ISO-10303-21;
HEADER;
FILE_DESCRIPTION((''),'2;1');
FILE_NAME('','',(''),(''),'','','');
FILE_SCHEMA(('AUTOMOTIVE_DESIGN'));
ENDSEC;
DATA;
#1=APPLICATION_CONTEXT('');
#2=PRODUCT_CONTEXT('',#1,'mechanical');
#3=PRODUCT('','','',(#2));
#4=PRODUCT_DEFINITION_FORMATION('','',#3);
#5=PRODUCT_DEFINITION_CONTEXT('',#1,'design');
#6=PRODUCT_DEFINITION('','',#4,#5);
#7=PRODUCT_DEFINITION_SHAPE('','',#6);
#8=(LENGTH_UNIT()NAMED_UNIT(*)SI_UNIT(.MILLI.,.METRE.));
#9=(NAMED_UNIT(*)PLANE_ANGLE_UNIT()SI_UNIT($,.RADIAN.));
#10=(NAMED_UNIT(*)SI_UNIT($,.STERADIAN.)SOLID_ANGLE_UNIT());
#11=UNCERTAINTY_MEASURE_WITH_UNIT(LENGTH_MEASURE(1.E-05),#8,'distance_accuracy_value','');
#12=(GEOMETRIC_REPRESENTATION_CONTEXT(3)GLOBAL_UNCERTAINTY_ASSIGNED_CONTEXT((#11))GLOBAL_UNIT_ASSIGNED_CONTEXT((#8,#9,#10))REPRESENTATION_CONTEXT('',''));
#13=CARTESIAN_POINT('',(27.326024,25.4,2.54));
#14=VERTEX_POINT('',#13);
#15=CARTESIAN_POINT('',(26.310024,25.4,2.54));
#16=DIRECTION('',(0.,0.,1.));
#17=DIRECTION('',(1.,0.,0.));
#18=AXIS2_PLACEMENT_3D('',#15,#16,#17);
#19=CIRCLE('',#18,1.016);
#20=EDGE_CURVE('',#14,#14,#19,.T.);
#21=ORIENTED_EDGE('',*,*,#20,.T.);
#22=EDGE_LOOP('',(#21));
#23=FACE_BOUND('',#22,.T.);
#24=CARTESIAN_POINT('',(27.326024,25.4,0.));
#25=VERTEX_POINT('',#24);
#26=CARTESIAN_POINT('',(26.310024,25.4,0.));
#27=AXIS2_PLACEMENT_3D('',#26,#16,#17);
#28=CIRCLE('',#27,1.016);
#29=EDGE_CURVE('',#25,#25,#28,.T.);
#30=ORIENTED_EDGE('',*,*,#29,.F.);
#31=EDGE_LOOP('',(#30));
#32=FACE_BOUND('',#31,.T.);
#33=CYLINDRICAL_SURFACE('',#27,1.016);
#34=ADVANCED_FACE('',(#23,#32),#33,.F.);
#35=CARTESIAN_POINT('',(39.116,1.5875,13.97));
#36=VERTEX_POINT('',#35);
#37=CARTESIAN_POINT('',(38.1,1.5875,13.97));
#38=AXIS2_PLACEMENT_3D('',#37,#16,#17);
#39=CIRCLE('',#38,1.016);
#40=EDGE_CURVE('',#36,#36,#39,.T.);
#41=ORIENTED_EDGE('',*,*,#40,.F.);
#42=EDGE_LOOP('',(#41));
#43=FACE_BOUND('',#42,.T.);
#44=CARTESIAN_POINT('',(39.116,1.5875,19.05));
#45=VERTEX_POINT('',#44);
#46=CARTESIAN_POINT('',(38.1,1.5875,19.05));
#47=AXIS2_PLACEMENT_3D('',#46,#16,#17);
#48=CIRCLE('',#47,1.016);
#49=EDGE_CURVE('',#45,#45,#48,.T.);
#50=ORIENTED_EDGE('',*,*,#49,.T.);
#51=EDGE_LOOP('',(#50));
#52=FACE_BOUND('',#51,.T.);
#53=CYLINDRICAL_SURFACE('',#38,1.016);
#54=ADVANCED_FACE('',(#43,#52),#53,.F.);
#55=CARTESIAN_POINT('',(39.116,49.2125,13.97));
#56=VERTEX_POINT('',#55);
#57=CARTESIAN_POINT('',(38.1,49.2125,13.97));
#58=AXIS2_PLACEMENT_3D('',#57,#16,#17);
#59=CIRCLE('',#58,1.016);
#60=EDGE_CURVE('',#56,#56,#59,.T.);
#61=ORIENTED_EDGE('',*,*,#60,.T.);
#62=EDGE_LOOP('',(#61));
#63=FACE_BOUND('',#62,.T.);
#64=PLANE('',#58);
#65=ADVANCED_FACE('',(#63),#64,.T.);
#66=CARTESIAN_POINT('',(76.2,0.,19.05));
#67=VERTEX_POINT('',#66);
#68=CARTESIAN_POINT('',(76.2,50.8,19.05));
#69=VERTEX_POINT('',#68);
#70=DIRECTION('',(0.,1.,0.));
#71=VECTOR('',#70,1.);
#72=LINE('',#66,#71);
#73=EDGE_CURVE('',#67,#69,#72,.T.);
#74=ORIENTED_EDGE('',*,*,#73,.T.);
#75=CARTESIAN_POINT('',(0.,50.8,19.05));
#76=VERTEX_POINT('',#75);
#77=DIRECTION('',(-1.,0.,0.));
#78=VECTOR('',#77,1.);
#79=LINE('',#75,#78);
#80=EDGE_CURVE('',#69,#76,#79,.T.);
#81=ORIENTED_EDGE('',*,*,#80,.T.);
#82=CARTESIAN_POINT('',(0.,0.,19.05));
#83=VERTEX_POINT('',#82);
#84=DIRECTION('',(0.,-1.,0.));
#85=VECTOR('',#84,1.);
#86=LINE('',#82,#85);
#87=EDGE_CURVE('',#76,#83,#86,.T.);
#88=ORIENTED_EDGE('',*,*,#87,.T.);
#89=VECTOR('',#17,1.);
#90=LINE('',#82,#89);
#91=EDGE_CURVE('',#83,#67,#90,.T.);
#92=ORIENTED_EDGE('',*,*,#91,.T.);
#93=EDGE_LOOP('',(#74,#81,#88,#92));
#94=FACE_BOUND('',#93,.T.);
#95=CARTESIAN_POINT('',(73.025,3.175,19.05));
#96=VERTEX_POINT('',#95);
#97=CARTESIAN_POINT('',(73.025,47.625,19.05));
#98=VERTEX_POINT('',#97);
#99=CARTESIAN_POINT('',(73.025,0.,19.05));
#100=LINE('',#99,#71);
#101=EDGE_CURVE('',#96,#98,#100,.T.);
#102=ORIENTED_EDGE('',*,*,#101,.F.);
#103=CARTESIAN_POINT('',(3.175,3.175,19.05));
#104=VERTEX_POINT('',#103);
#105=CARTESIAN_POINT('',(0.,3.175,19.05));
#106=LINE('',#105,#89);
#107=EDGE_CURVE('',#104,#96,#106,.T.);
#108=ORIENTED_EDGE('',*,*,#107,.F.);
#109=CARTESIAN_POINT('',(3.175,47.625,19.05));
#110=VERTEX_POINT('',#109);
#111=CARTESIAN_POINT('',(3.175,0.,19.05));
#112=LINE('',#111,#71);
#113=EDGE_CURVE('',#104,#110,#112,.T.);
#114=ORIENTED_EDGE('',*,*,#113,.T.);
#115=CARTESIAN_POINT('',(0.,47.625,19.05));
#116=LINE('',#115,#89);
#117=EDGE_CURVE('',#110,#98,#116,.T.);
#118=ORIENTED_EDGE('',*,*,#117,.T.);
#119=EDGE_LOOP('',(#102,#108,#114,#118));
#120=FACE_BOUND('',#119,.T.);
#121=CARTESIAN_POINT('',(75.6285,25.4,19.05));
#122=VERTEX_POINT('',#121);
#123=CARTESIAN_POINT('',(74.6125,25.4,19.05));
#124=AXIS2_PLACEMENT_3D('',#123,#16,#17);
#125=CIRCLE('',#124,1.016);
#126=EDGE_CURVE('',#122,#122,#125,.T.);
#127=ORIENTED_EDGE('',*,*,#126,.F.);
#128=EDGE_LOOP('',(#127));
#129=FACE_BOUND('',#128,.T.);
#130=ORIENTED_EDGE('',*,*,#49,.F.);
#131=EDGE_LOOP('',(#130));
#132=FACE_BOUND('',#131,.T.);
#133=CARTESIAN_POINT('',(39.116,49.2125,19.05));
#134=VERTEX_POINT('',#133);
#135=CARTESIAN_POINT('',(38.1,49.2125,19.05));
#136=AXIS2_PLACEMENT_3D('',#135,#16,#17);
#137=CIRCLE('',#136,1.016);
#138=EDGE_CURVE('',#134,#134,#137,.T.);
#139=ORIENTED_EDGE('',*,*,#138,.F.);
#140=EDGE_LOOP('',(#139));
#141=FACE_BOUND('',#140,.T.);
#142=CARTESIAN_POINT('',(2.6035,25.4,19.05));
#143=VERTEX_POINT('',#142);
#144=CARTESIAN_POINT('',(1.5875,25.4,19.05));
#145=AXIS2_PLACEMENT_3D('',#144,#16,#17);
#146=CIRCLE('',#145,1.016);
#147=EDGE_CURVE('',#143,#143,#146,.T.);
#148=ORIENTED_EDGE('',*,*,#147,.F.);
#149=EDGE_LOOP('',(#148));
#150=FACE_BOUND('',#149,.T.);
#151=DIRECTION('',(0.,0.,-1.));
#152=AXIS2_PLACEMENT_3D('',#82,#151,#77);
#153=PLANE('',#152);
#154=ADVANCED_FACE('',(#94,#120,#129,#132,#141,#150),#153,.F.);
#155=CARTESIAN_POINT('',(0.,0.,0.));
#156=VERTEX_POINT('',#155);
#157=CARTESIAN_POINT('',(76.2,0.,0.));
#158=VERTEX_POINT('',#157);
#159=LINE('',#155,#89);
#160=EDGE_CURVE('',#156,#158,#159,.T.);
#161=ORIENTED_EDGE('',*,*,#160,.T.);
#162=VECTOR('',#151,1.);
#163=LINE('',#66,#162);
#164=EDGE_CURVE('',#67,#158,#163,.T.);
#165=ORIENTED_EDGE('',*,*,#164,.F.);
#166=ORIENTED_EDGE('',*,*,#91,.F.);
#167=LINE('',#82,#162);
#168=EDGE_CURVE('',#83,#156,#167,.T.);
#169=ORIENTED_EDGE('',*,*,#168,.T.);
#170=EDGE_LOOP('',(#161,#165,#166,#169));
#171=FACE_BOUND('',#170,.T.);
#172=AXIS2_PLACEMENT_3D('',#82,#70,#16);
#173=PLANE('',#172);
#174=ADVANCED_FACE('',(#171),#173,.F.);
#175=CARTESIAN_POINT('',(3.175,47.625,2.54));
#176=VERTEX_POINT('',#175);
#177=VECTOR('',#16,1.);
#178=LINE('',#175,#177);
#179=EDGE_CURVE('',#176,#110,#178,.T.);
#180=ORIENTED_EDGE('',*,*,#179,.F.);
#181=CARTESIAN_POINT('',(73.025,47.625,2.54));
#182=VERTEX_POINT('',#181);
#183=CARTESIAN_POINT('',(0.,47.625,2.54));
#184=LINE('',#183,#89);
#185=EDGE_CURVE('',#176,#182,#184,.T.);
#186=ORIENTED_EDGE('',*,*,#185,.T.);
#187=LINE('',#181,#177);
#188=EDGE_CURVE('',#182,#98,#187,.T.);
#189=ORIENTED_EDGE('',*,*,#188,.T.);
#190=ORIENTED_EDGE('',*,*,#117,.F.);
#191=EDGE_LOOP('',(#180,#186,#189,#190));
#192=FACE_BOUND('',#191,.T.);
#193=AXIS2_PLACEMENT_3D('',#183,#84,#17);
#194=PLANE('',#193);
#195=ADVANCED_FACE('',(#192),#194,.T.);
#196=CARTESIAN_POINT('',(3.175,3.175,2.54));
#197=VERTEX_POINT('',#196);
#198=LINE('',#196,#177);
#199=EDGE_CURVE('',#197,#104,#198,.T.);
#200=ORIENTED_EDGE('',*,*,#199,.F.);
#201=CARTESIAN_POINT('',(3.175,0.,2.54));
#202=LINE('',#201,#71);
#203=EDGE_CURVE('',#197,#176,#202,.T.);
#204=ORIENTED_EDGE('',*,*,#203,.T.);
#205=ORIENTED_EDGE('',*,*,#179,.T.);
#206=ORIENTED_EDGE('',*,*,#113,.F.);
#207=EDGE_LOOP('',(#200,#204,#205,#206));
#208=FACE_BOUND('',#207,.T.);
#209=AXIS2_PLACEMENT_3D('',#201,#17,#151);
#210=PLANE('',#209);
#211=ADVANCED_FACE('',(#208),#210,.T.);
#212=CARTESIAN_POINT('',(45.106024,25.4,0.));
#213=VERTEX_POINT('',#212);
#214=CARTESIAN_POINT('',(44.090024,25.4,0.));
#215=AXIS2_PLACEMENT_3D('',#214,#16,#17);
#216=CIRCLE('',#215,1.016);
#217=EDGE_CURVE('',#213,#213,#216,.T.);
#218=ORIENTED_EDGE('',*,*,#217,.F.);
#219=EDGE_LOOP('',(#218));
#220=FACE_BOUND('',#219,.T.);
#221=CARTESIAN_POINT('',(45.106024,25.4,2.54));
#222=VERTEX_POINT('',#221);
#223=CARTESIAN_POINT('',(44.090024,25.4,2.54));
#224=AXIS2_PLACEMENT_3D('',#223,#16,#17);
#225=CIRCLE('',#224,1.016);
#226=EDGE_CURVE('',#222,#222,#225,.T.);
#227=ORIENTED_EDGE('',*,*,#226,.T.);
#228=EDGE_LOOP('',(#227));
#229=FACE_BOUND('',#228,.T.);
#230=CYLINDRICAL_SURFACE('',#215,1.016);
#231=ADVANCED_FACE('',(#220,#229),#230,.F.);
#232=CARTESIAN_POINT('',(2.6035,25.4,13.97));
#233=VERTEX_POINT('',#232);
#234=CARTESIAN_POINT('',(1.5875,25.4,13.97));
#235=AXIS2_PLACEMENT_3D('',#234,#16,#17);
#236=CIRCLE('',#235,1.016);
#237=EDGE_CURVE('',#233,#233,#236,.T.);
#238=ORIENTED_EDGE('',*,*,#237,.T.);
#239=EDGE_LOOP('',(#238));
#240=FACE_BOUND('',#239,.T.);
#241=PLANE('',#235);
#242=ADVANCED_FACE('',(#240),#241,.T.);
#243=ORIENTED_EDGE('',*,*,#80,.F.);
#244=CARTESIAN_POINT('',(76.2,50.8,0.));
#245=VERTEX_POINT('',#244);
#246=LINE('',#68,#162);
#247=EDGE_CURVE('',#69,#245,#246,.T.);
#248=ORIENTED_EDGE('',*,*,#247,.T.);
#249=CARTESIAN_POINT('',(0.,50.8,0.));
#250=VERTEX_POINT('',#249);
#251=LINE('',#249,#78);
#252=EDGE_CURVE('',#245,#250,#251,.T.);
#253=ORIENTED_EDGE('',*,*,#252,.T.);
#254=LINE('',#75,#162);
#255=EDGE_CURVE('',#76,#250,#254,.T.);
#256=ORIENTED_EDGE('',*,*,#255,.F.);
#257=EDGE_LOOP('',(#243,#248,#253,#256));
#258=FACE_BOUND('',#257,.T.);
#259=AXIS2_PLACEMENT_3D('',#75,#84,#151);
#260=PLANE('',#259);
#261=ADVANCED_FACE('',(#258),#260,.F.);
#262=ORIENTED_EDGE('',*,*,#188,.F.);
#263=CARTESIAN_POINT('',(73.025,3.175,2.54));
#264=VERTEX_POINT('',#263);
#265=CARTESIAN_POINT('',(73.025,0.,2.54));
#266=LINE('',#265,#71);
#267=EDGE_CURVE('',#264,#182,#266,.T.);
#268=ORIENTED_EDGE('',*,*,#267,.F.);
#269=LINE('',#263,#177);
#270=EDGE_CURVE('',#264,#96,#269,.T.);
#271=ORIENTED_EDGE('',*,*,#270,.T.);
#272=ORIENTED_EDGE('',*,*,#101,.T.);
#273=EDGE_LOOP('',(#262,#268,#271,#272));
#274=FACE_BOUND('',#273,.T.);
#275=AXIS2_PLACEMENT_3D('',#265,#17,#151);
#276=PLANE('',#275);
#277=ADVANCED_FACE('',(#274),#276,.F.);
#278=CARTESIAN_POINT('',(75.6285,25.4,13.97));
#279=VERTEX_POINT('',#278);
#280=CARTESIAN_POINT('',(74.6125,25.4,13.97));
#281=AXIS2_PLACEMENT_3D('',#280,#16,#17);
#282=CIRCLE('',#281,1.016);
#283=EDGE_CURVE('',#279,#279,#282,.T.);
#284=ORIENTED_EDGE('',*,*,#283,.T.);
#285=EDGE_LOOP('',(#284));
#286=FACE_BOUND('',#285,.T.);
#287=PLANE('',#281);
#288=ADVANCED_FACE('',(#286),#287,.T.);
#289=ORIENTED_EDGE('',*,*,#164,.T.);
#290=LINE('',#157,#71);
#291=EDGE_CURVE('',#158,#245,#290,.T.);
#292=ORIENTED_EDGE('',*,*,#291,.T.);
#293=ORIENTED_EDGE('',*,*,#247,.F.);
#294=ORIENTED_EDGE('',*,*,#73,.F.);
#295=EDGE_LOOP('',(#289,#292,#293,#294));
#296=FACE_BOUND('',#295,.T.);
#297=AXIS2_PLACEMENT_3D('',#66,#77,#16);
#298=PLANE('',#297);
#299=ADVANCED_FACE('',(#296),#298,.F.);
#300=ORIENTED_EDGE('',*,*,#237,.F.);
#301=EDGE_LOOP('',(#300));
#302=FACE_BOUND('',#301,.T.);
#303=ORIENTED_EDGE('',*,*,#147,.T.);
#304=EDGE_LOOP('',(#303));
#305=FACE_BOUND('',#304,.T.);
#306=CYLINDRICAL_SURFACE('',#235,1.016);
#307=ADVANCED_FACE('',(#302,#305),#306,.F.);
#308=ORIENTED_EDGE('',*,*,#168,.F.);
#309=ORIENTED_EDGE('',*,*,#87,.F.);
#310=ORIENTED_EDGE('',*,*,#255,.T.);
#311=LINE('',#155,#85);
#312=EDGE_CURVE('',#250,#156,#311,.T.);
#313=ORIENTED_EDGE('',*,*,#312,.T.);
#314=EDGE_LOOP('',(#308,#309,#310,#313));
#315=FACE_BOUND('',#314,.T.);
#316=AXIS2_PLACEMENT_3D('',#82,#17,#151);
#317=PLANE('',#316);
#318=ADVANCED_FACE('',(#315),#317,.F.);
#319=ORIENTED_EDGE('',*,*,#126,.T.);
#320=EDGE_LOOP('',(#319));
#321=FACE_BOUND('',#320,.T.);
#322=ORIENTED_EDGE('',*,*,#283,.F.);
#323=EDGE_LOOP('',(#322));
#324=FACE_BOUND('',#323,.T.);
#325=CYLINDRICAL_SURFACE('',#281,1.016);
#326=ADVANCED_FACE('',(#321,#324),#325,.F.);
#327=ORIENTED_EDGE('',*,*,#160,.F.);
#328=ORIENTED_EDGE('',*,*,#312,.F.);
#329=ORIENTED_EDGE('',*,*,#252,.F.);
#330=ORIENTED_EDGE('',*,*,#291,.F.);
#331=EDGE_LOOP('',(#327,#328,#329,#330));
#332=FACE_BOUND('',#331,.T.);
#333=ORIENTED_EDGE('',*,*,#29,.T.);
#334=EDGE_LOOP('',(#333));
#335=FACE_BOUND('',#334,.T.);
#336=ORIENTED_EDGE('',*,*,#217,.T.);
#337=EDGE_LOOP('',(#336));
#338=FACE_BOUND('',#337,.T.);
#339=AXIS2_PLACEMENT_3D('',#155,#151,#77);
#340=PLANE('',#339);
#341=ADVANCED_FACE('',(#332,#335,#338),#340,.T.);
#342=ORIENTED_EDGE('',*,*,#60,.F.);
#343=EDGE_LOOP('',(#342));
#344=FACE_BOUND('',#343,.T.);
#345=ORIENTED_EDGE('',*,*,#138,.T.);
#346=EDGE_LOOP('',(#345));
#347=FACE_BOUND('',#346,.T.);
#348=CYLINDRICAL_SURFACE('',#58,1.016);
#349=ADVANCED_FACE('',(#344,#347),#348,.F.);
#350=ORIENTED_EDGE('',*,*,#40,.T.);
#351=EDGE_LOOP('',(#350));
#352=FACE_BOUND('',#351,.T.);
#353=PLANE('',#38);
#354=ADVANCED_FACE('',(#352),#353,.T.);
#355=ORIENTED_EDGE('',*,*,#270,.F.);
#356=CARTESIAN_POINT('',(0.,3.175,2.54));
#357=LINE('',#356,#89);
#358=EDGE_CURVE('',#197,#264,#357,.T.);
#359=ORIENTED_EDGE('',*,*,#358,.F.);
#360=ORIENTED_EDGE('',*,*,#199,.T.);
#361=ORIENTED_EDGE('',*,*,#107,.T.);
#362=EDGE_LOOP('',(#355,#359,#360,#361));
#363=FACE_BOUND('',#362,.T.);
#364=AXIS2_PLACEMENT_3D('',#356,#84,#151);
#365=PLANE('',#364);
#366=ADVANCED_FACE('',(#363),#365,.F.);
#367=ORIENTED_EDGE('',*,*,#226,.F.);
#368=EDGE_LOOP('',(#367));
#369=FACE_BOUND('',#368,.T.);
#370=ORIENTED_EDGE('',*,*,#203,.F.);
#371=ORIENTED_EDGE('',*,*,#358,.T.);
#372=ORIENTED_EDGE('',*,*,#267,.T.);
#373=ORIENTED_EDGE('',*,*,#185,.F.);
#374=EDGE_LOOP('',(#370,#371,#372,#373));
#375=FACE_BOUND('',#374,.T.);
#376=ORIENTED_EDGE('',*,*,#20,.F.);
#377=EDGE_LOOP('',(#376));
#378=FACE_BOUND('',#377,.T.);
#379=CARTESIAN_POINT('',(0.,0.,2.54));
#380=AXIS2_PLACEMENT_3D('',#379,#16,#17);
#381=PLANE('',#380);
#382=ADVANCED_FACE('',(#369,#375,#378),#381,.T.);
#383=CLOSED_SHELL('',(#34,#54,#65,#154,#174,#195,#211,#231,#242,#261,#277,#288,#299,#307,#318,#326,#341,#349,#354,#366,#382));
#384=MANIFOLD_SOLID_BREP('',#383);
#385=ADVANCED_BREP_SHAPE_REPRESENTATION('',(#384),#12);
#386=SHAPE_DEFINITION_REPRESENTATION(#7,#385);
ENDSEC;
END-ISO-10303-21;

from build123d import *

# Parameters (mm, degrees)
SKETCH1_W           = 76.2
SKETCH1_H           = 50.8
BOSS_EXTRUDE1_DEPTH = 19.05
SKETCH2_W           = 34.925
SKETCH2_H           = 44.45
CUT_EXTRUDE1_DEPTH  = 16.51
SKETCH4_R           = 1.016
CUT_EXTRUDE4_DEPTH  = 5.08
SKETCH6_R           = 1.016
CUT_EXTRUDE6_DEPTH  = 94.057294717


with BuildPart() as part:
    # Sketch1 → Boss-Extrude1 (new body)
    with BuildSketch(Plane.XY):
        with Locations((38.1, 25.4)):
            Rectangle(SKETCH1_W, SKETCH1_H)
    extrude(amount=BOSS_EXTRUDE1_DEPTH)

    # Sketch2 → Cut-Extrude1 (cut)
    with BuildSketch(Plane.XY.offset(19.05)):
        with Locations((55.5625, 25.4)):
            Rectangle(SKETCH2_W, SKETCH2_H)
        with Locations((20.6375, 25.4)):
            Rectangle(SKETCH2_W, SKETCH2_H)
    extrude(amount=-CUT_EXTRUDE1_DEPTH, mode=Mode.SUBTRACT)

    # Sketch4 → Cut-Extrude4 (cut)
    with BuildSketch(Plane.XY.offset(19.05)):
        with Locations((1.5875, 25.4)):
            Circle(SKETCH4_R)
        with Locations((38.1, 49.2125)):
            Circle(SKETCH4_R)
        with Locations((74.6125, 25.4)):
            Circle(SKETCH4_R)
        with Locations((38.1, 1.5875)):
            Circle(SKETCH4_R)
    extrude(amount=-CUT_EXTRUDE4_DEPTH, mode=Mode.SUBTRACT)

    # Sketch6 → Cut-Extrude6 (cut, through all)
    with BuildSketch(Plane.XY.offset(2.54)):
        with Locations((26.310023895, 25.4)):
            Circle(SKETCH6_R)
        with Locations((44.090023895, 25.4)):
            Circle(SKETCH6_R)
    extrude(amount=-CUT_EXTRUDE6_DEPTH, mode=Mode.SUBTRACT)


solid = part.part
